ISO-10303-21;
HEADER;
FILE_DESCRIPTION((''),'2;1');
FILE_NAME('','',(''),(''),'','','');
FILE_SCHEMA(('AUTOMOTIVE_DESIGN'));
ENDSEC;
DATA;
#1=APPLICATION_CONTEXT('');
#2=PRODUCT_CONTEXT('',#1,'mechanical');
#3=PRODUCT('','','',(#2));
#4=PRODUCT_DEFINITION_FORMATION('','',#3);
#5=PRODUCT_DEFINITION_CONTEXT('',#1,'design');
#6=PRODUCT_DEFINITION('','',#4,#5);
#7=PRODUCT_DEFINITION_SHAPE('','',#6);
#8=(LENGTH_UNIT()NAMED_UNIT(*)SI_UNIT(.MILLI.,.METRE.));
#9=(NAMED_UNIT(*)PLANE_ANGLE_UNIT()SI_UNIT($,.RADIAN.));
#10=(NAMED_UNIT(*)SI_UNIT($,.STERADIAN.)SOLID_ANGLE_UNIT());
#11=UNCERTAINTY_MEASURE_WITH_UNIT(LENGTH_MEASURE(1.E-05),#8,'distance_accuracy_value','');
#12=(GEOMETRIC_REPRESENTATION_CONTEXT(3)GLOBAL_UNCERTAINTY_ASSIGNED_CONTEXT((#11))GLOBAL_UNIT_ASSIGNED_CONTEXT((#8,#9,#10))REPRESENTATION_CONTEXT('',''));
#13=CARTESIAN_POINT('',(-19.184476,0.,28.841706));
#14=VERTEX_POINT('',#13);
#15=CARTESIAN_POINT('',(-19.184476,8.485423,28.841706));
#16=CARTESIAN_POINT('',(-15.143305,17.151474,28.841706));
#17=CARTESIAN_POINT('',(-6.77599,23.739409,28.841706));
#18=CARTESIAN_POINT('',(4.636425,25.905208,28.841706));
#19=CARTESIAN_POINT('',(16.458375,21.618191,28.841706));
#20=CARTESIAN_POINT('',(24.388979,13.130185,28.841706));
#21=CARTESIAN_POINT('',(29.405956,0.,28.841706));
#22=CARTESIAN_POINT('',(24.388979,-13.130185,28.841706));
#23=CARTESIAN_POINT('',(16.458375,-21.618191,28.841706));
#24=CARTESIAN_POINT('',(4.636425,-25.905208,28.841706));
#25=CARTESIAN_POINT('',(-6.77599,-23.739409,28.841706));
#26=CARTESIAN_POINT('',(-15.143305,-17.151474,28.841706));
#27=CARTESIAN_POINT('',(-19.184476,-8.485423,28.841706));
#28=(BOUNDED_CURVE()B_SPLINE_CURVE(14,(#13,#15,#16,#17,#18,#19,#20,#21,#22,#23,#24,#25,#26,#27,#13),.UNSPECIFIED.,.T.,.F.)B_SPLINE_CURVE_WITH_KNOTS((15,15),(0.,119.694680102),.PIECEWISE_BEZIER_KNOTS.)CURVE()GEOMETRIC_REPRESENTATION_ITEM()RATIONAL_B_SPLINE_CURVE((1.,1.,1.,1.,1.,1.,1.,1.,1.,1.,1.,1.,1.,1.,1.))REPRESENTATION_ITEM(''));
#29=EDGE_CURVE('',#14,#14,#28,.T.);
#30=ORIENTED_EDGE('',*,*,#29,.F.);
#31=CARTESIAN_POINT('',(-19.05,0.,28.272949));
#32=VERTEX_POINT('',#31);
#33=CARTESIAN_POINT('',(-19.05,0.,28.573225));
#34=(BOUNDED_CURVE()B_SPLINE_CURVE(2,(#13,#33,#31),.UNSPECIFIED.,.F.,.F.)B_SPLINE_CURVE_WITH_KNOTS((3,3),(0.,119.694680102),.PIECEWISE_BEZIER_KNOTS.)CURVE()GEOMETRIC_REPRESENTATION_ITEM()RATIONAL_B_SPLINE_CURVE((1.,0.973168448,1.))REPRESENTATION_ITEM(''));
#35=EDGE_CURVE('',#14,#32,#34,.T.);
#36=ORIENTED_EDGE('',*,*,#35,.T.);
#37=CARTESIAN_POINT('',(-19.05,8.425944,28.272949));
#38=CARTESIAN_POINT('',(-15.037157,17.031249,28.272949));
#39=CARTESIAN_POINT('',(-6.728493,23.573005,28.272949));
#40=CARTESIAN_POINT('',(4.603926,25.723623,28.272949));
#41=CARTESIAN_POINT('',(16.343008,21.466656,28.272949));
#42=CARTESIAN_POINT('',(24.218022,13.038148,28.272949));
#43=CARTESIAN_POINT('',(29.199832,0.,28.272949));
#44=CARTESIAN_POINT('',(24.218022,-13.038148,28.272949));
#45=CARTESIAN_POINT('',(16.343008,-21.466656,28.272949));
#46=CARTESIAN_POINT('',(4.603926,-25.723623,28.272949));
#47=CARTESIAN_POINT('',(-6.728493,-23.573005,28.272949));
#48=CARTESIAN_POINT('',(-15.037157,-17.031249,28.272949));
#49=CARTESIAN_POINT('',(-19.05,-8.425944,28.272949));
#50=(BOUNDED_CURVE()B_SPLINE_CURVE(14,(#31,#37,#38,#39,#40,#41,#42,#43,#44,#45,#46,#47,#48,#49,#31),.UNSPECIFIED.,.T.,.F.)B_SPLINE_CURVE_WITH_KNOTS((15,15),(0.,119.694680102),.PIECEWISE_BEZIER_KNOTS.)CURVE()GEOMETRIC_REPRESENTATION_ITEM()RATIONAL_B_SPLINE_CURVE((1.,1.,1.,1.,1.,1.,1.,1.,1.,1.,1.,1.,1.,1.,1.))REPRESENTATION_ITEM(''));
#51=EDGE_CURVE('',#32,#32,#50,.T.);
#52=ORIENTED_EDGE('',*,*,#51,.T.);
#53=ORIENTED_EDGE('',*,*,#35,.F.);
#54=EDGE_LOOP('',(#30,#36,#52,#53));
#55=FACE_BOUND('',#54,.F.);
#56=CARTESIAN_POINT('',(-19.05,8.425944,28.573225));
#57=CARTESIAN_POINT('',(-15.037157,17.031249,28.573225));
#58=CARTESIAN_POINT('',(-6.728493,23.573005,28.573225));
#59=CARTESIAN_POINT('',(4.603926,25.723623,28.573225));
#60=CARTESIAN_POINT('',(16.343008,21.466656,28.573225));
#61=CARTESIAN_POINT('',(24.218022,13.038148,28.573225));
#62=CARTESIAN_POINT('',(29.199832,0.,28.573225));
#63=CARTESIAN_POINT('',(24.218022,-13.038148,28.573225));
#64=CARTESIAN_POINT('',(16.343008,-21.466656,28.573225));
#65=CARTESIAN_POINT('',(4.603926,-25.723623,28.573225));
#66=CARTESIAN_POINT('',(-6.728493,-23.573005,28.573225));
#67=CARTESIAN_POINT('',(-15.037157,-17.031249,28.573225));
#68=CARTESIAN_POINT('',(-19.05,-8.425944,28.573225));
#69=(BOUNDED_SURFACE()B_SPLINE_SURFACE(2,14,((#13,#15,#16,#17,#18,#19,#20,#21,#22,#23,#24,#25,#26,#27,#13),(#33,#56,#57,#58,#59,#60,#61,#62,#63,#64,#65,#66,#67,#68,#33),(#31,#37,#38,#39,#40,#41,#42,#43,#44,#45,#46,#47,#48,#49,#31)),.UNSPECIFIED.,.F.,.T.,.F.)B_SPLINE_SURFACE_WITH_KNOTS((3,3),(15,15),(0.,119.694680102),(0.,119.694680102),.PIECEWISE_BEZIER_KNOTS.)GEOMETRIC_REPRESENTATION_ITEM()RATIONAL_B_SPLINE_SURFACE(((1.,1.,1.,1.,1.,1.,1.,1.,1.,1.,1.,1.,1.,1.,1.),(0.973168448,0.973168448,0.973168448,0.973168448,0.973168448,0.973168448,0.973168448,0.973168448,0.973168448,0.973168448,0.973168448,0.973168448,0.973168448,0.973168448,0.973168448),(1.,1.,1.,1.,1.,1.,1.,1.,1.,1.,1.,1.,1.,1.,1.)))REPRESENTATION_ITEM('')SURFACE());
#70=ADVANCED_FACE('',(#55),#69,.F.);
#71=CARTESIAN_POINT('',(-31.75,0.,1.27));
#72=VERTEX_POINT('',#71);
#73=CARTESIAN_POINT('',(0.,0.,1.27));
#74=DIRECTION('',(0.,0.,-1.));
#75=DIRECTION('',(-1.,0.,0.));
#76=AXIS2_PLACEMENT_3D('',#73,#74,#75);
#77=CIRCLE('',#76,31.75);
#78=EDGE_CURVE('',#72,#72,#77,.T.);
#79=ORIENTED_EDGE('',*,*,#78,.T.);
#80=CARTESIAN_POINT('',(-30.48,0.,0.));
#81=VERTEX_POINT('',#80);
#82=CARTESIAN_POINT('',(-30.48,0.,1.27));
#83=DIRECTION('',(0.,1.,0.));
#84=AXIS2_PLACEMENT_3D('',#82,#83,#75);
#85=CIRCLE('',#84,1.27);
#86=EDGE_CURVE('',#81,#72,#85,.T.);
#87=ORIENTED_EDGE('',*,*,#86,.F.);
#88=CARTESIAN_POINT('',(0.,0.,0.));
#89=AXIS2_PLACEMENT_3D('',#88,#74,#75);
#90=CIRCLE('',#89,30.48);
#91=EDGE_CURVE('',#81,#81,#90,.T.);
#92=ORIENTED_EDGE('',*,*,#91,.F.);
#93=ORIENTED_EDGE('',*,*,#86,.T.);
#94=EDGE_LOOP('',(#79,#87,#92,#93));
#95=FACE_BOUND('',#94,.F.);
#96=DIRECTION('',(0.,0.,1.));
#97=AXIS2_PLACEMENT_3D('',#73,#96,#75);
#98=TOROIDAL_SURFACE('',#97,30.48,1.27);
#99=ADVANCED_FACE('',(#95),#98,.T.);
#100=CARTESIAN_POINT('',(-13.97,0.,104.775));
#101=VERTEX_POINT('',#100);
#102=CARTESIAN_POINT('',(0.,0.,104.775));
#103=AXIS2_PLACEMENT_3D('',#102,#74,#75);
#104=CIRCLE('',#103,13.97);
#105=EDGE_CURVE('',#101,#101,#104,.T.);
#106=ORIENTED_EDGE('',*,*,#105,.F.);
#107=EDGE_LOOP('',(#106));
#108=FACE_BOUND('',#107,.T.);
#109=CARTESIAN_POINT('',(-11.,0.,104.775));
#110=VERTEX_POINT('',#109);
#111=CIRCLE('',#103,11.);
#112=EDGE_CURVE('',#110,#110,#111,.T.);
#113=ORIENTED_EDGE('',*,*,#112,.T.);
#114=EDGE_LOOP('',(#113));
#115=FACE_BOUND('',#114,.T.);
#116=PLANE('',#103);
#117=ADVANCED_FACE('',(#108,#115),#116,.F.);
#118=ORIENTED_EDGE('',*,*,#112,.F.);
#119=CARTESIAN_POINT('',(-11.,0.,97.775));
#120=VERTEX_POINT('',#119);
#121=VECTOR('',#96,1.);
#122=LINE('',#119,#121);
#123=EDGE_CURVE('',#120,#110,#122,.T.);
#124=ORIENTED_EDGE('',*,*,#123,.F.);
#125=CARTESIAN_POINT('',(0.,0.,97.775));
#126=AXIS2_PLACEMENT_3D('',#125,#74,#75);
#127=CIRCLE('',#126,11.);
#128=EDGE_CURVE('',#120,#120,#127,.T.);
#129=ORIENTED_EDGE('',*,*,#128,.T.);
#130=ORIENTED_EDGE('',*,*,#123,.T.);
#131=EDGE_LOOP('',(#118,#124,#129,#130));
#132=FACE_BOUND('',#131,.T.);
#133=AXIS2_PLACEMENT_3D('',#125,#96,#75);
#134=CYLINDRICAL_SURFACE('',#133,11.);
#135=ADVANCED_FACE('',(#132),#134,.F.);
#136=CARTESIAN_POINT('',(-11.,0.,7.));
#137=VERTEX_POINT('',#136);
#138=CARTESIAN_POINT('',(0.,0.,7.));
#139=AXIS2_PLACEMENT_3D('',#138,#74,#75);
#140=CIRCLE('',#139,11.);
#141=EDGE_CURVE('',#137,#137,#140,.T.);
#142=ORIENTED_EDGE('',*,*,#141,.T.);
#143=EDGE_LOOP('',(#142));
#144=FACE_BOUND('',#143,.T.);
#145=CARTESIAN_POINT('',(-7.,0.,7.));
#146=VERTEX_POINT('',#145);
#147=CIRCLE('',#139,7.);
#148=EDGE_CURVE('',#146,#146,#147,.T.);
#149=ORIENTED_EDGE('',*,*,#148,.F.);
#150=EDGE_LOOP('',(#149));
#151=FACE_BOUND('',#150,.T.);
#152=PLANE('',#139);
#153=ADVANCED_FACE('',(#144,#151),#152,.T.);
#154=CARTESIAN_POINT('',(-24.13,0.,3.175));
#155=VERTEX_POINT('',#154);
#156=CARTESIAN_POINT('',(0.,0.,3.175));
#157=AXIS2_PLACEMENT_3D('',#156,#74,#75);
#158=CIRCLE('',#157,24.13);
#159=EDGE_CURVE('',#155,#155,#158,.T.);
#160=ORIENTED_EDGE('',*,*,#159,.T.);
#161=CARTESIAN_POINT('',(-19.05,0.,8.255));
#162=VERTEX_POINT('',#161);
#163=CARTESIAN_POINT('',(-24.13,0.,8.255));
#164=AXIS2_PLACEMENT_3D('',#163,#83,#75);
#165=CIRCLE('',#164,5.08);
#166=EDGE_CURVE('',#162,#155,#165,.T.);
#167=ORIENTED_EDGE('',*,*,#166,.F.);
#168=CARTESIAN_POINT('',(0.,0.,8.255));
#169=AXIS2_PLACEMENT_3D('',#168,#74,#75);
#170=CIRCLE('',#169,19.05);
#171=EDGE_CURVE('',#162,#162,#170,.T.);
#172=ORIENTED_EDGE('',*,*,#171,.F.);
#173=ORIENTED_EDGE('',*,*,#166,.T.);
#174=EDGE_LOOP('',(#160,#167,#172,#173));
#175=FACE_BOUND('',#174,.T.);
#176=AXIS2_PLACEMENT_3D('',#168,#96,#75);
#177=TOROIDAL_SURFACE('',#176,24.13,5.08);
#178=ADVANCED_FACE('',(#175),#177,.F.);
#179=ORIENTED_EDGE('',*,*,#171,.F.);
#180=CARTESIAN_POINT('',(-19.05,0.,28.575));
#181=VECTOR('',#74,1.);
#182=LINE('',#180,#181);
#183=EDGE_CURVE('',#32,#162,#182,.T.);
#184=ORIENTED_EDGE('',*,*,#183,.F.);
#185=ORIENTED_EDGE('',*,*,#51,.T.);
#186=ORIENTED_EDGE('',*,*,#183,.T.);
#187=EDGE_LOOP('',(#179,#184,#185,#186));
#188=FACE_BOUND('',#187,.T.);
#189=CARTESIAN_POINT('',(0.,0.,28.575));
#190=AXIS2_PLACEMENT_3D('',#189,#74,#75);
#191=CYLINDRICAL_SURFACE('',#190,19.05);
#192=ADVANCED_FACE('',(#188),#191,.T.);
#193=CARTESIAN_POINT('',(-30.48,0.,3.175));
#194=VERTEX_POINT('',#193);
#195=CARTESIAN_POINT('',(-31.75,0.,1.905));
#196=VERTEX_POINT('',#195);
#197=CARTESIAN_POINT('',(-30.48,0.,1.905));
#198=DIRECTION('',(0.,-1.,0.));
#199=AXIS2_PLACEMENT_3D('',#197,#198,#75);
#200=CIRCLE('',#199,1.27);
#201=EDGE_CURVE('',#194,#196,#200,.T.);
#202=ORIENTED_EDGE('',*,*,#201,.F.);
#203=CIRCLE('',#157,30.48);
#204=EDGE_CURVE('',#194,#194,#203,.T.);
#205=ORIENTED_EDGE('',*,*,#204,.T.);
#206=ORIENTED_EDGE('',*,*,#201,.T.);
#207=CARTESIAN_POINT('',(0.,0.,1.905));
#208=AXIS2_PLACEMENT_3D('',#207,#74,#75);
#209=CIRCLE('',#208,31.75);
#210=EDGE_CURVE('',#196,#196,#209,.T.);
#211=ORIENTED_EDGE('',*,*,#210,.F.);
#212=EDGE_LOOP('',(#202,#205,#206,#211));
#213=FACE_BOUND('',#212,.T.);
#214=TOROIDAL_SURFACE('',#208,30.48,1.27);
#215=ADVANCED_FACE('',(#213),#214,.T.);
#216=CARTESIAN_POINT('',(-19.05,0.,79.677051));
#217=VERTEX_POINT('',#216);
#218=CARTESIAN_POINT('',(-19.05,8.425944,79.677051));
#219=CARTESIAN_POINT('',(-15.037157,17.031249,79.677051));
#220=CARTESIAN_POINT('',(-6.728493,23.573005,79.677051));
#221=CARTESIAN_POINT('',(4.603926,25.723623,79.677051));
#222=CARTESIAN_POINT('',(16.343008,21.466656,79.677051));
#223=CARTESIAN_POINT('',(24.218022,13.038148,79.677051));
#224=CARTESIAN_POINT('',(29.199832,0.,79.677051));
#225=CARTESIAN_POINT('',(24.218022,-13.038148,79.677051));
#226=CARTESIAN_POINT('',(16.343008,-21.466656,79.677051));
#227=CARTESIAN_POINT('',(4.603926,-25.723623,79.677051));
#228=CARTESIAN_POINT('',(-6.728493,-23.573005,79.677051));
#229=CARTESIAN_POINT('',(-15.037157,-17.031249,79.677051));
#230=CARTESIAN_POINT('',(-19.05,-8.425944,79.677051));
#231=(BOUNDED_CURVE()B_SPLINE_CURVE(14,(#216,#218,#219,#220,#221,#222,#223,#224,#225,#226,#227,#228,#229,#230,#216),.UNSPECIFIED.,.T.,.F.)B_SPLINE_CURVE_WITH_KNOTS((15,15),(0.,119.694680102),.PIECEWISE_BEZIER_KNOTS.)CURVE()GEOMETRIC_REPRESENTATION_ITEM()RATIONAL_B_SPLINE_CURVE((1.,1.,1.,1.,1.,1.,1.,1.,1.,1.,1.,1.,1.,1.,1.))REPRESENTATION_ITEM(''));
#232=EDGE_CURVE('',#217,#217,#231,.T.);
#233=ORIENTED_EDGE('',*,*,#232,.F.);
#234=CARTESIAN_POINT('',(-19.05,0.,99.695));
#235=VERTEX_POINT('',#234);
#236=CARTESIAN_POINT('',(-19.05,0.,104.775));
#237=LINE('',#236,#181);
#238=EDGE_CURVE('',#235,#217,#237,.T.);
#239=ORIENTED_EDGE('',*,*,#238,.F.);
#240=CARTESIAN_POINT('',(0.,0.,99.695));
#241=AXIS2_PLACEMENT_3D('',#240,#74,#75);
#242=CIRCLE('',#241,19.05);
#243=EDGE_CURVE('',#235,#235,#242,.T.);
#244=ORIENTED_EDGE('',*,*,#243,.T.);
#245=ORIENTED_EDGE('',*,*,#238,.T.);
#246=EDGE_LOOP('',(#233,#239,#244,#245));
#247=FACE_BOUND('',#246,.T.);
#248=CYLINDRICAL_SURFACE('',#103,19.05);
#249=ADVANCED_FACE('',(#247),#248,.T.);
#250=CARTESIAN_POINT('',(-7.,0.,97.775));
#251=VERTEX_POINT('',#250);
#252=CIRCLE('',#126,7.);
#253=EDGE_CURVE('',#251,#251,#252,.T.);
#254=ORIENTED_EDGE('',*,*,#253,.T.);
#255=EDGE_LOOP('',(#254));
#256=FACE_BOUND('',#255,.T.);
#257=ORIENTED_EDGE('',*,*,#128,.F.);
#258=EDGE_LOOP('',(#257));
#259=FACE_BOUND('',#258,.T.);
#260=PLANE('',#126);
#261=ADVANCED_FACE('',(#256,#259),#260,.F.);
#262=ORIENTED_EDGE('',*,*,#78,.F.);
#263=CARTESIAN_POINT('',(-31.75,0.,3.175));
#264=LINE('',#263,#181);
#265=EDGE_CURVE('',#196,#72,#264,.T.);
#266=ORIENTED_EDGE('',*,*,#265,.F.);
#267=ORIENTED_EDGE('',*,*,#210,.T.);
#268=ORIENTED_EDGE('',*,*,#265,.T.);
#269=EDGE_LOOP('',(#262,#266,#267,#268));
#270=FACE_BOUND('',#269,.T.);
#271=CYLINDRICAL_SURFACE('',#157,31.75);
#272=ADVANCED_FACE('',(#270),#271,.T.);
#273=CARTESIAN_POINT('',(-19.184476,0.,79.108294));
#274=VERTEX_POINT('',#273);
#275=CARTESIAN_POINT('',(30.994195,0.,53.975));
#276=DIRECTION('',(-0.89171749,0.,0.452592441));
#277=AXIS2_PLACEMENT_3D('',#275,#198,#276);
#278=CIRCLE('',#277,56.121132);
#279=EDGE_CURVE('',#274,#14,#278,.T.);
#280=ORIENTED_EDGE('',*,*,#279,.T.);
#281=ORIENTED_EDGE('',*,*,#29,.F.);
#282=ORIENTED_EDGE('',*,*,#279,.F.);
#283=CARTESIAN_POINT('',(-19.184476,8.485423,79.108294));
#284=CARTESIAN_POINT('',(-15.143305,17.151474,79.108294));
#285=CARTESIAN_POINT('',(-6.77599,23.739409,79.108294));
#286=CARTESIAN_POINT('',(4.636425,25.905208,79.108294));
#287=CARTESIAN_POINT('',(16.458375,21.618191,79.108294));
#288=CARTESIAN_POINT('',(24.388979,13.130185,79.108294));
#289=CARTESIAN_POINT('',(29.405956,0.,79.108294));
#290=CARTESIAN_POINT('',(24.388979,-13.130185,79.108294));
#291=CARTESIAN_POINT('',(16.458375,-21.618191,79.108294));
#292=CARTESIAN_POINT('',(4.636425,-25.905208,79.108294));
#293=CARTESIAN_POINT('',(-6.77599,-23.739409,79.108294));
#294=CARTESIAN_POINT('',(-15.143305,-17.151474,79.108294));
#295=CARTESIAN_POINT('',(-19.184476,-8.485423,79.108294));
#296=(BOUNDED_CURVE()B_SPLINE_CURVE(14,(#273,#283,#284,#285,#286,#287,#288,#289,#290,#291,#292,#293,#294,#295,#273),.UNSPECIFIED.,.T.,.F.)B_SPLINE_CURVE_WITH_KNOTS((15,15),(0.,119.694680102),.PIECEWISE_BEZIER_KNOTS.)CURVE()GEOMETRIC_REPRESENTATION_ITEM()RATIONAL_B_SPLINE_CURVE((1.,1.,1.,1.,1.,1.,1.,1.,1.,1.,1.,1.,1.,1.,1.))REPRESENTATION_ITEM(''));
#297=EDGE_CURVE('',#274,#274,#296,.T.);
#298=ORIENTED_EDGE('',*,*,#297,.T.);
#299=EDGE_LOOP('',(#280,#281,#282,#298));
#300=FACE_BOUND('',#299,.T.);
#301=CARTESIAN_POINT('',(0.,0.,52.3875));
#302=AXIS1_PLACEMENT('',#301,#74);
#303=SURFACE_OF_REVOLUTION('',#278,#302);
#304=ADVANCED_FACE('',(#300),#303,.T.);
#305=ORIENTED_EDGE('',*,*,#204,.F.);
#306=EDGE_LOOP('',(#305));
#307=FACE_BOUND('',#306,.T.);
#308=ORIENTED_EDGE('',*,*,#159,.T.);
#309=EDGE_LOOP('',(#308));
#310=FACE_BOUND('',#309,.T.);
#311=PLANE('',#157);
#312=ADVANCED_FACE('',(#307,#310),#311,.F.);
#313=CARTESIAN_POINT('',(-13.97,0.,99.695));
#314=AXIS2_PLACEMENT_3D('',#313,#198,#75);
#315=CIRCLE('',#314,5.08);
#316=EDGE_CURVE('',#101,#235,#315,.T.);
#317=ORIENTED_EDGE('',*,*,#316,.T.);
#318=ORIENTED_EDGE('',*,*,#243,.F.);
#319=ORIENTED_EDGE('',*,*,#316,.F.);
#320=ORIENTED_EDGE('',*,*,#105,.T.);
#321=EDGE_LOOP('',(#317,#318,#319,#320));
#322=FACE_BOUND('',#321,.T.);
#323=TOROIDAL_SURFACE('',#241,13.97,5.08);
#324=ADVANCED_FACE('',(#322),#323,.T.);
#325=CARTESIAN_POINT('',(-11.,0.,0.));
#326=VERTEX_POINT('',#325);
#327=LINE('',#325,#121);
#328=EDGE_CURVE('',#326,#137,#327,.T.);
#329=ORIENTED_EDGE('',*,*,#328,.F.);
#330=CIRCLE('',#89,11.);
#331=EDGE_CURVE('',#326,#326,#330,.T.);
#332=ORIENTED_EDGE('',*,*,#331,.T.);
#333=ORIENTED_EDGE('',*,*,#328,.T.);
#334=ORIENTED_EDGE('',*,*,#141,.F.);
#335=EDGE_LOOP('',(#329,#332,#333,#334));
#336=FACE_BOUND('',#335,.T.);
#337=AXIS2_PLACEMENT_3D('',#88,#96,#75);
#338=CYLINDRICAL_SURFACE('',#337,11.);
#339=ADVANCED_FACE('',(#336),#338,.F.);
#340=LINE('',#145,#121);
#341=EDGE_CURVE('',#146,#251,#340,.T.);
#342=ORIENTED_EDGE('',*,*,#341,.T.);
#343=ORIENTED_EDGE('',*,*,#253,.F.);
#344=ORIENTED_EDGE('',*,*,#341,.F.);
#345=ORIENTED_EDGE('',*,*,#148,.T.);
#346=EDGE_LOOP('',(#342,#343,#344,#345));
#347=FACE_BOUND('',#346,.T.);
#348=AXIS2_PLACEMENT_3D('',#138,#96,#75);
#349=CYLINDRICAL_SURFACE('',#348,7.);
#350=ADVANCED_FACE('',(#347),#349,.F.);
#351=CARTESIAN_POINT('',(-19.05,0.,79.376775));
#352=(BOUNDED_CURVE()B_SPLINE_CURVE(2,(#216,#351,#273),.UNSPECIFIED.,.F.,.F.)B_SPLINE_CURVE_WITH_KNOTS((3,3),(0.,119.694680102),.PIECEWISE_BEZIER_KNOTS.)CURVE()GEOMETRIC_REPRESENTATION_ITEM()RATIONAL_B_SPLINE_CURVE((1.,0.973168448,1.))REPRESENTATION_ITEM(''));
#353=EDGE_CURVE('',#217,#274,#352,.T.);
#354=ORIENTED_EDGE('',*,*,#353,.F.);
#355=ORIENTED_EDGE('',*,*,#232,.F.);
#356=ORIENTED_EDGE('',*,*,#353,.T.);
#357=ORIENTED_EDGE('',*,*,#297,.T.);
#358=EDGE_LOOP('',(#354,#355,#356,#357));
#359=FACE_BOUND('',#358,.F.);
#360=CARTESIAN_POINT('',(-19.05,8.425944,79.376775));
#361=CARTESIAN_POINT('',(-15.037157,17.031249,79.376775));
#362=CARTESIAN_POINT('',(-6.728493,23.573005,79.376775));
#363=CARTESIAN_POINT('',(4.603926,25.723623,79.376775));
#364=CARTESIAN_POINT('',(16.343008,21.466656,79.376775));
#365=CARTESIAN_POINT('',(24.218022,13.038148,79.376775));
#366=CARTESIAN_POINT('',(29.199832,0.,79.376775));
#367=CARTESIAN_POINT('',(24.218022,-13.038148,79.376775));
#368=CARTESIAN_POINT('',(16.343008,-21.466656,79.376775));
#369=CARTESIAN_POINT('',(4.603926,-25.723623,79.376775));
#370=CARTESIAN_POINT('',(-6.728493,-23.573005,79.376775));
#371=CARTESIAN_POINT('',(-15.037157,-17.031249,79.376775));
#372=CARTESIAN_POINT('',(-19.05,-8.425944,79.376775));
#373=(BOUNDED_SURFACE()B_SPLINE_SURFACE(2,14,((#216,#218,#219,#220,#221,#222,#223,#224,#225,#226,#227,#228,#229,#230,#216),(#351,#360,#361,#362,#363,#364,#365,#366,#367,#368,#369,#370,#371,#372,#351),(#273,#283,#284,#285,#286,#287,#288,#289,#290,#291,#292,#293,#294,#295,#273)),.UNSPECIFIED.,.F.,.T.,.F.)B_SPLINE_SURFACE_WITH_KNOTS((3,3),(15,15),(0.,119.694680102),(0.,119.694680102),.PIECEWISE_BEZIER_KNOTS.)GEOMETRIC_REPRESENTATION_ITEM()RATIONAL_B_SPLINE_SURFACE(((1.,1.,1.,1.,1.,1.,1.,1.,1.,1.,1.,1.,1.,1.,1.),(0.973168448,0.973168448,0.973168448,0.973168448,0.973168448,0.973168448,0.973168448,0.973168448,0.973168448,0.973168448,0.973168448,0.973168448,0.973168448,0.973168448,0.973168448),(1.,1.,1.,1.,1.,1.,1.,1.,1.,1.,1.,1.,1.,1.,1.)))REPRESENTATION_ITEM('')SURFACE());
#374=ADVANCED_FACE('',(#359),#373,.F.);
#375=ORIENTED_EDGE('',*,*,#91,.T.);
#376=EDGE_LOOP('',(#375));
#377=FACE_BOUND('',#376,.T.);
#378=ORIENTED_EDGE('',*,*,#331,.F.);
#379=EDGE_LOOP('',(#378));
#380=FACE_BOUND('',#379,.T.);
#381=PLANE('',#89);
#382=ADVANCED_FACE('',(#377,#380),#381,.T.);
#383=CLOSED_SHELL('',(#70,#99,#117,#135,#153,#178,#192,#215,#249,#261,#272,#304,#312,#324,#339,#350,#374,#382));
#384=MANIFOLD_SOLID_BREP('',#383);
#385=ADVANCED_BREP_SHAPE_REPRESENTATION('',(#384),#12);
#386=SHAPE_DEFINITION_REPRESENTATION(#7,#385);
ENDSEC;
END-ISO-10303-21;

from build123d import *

# Parameters (mm, degrees)
F2_R = 5.08
F3_R = 1.27


with BuildPart() as f1:
    # F0 (on Front) → F1 (revolve)
    with BuildSketch(Plane.XZ):
        with BuildLine():
            Line((-11, 7), (-7, 7))
            Line((-7, 7), (-7, 97.775))
            Line((-7, 97.775), (-11, 97.775))
            Line((-11, 97.775), (-11, 104.775))
            Line((-11, 104.775), (-19.05, 104.775))
            Line((-19.05, 104.775), (-19.05, 79.375))
            ThreePointArc((-19.05, 79.375), (-25.126937, 53.975), (-19.05, 28.575))
            Line((-19.05, 28.575), (-19.05, 3.175))
            Line((-19.05, 3.175), (-31.75, 3.175))
            Line((-31.75, 3.175), (-31.75, 0))
            Line((-31.75, 0), (-11, 0))
            Line((-11, 0), (-11, 7))
        make_face()
    revolve(axis=Axis((0, 0, 52.3875), (0, 0, -1)))

    # F2
    f2_edges = [f1.edges().sort_by_distance(p)[0] for p in [
        (19.05, 0, 104.775),
        (19.05, 0, 3.175),
    ]]
    fillet(f2_edges, radius=F2_R)

    # F3
    f3_edges = [f1.edges().sort_by_distance(p)[0] for p in [
        (31.75, 0, 3.175),
        (31.75, 0, 0),
        (19.05, 0, 28.575),
        (19.05, 0, 79.375),
    ]]
    fillet(f3_edges, radius=F3_R)


solid = f1.part
